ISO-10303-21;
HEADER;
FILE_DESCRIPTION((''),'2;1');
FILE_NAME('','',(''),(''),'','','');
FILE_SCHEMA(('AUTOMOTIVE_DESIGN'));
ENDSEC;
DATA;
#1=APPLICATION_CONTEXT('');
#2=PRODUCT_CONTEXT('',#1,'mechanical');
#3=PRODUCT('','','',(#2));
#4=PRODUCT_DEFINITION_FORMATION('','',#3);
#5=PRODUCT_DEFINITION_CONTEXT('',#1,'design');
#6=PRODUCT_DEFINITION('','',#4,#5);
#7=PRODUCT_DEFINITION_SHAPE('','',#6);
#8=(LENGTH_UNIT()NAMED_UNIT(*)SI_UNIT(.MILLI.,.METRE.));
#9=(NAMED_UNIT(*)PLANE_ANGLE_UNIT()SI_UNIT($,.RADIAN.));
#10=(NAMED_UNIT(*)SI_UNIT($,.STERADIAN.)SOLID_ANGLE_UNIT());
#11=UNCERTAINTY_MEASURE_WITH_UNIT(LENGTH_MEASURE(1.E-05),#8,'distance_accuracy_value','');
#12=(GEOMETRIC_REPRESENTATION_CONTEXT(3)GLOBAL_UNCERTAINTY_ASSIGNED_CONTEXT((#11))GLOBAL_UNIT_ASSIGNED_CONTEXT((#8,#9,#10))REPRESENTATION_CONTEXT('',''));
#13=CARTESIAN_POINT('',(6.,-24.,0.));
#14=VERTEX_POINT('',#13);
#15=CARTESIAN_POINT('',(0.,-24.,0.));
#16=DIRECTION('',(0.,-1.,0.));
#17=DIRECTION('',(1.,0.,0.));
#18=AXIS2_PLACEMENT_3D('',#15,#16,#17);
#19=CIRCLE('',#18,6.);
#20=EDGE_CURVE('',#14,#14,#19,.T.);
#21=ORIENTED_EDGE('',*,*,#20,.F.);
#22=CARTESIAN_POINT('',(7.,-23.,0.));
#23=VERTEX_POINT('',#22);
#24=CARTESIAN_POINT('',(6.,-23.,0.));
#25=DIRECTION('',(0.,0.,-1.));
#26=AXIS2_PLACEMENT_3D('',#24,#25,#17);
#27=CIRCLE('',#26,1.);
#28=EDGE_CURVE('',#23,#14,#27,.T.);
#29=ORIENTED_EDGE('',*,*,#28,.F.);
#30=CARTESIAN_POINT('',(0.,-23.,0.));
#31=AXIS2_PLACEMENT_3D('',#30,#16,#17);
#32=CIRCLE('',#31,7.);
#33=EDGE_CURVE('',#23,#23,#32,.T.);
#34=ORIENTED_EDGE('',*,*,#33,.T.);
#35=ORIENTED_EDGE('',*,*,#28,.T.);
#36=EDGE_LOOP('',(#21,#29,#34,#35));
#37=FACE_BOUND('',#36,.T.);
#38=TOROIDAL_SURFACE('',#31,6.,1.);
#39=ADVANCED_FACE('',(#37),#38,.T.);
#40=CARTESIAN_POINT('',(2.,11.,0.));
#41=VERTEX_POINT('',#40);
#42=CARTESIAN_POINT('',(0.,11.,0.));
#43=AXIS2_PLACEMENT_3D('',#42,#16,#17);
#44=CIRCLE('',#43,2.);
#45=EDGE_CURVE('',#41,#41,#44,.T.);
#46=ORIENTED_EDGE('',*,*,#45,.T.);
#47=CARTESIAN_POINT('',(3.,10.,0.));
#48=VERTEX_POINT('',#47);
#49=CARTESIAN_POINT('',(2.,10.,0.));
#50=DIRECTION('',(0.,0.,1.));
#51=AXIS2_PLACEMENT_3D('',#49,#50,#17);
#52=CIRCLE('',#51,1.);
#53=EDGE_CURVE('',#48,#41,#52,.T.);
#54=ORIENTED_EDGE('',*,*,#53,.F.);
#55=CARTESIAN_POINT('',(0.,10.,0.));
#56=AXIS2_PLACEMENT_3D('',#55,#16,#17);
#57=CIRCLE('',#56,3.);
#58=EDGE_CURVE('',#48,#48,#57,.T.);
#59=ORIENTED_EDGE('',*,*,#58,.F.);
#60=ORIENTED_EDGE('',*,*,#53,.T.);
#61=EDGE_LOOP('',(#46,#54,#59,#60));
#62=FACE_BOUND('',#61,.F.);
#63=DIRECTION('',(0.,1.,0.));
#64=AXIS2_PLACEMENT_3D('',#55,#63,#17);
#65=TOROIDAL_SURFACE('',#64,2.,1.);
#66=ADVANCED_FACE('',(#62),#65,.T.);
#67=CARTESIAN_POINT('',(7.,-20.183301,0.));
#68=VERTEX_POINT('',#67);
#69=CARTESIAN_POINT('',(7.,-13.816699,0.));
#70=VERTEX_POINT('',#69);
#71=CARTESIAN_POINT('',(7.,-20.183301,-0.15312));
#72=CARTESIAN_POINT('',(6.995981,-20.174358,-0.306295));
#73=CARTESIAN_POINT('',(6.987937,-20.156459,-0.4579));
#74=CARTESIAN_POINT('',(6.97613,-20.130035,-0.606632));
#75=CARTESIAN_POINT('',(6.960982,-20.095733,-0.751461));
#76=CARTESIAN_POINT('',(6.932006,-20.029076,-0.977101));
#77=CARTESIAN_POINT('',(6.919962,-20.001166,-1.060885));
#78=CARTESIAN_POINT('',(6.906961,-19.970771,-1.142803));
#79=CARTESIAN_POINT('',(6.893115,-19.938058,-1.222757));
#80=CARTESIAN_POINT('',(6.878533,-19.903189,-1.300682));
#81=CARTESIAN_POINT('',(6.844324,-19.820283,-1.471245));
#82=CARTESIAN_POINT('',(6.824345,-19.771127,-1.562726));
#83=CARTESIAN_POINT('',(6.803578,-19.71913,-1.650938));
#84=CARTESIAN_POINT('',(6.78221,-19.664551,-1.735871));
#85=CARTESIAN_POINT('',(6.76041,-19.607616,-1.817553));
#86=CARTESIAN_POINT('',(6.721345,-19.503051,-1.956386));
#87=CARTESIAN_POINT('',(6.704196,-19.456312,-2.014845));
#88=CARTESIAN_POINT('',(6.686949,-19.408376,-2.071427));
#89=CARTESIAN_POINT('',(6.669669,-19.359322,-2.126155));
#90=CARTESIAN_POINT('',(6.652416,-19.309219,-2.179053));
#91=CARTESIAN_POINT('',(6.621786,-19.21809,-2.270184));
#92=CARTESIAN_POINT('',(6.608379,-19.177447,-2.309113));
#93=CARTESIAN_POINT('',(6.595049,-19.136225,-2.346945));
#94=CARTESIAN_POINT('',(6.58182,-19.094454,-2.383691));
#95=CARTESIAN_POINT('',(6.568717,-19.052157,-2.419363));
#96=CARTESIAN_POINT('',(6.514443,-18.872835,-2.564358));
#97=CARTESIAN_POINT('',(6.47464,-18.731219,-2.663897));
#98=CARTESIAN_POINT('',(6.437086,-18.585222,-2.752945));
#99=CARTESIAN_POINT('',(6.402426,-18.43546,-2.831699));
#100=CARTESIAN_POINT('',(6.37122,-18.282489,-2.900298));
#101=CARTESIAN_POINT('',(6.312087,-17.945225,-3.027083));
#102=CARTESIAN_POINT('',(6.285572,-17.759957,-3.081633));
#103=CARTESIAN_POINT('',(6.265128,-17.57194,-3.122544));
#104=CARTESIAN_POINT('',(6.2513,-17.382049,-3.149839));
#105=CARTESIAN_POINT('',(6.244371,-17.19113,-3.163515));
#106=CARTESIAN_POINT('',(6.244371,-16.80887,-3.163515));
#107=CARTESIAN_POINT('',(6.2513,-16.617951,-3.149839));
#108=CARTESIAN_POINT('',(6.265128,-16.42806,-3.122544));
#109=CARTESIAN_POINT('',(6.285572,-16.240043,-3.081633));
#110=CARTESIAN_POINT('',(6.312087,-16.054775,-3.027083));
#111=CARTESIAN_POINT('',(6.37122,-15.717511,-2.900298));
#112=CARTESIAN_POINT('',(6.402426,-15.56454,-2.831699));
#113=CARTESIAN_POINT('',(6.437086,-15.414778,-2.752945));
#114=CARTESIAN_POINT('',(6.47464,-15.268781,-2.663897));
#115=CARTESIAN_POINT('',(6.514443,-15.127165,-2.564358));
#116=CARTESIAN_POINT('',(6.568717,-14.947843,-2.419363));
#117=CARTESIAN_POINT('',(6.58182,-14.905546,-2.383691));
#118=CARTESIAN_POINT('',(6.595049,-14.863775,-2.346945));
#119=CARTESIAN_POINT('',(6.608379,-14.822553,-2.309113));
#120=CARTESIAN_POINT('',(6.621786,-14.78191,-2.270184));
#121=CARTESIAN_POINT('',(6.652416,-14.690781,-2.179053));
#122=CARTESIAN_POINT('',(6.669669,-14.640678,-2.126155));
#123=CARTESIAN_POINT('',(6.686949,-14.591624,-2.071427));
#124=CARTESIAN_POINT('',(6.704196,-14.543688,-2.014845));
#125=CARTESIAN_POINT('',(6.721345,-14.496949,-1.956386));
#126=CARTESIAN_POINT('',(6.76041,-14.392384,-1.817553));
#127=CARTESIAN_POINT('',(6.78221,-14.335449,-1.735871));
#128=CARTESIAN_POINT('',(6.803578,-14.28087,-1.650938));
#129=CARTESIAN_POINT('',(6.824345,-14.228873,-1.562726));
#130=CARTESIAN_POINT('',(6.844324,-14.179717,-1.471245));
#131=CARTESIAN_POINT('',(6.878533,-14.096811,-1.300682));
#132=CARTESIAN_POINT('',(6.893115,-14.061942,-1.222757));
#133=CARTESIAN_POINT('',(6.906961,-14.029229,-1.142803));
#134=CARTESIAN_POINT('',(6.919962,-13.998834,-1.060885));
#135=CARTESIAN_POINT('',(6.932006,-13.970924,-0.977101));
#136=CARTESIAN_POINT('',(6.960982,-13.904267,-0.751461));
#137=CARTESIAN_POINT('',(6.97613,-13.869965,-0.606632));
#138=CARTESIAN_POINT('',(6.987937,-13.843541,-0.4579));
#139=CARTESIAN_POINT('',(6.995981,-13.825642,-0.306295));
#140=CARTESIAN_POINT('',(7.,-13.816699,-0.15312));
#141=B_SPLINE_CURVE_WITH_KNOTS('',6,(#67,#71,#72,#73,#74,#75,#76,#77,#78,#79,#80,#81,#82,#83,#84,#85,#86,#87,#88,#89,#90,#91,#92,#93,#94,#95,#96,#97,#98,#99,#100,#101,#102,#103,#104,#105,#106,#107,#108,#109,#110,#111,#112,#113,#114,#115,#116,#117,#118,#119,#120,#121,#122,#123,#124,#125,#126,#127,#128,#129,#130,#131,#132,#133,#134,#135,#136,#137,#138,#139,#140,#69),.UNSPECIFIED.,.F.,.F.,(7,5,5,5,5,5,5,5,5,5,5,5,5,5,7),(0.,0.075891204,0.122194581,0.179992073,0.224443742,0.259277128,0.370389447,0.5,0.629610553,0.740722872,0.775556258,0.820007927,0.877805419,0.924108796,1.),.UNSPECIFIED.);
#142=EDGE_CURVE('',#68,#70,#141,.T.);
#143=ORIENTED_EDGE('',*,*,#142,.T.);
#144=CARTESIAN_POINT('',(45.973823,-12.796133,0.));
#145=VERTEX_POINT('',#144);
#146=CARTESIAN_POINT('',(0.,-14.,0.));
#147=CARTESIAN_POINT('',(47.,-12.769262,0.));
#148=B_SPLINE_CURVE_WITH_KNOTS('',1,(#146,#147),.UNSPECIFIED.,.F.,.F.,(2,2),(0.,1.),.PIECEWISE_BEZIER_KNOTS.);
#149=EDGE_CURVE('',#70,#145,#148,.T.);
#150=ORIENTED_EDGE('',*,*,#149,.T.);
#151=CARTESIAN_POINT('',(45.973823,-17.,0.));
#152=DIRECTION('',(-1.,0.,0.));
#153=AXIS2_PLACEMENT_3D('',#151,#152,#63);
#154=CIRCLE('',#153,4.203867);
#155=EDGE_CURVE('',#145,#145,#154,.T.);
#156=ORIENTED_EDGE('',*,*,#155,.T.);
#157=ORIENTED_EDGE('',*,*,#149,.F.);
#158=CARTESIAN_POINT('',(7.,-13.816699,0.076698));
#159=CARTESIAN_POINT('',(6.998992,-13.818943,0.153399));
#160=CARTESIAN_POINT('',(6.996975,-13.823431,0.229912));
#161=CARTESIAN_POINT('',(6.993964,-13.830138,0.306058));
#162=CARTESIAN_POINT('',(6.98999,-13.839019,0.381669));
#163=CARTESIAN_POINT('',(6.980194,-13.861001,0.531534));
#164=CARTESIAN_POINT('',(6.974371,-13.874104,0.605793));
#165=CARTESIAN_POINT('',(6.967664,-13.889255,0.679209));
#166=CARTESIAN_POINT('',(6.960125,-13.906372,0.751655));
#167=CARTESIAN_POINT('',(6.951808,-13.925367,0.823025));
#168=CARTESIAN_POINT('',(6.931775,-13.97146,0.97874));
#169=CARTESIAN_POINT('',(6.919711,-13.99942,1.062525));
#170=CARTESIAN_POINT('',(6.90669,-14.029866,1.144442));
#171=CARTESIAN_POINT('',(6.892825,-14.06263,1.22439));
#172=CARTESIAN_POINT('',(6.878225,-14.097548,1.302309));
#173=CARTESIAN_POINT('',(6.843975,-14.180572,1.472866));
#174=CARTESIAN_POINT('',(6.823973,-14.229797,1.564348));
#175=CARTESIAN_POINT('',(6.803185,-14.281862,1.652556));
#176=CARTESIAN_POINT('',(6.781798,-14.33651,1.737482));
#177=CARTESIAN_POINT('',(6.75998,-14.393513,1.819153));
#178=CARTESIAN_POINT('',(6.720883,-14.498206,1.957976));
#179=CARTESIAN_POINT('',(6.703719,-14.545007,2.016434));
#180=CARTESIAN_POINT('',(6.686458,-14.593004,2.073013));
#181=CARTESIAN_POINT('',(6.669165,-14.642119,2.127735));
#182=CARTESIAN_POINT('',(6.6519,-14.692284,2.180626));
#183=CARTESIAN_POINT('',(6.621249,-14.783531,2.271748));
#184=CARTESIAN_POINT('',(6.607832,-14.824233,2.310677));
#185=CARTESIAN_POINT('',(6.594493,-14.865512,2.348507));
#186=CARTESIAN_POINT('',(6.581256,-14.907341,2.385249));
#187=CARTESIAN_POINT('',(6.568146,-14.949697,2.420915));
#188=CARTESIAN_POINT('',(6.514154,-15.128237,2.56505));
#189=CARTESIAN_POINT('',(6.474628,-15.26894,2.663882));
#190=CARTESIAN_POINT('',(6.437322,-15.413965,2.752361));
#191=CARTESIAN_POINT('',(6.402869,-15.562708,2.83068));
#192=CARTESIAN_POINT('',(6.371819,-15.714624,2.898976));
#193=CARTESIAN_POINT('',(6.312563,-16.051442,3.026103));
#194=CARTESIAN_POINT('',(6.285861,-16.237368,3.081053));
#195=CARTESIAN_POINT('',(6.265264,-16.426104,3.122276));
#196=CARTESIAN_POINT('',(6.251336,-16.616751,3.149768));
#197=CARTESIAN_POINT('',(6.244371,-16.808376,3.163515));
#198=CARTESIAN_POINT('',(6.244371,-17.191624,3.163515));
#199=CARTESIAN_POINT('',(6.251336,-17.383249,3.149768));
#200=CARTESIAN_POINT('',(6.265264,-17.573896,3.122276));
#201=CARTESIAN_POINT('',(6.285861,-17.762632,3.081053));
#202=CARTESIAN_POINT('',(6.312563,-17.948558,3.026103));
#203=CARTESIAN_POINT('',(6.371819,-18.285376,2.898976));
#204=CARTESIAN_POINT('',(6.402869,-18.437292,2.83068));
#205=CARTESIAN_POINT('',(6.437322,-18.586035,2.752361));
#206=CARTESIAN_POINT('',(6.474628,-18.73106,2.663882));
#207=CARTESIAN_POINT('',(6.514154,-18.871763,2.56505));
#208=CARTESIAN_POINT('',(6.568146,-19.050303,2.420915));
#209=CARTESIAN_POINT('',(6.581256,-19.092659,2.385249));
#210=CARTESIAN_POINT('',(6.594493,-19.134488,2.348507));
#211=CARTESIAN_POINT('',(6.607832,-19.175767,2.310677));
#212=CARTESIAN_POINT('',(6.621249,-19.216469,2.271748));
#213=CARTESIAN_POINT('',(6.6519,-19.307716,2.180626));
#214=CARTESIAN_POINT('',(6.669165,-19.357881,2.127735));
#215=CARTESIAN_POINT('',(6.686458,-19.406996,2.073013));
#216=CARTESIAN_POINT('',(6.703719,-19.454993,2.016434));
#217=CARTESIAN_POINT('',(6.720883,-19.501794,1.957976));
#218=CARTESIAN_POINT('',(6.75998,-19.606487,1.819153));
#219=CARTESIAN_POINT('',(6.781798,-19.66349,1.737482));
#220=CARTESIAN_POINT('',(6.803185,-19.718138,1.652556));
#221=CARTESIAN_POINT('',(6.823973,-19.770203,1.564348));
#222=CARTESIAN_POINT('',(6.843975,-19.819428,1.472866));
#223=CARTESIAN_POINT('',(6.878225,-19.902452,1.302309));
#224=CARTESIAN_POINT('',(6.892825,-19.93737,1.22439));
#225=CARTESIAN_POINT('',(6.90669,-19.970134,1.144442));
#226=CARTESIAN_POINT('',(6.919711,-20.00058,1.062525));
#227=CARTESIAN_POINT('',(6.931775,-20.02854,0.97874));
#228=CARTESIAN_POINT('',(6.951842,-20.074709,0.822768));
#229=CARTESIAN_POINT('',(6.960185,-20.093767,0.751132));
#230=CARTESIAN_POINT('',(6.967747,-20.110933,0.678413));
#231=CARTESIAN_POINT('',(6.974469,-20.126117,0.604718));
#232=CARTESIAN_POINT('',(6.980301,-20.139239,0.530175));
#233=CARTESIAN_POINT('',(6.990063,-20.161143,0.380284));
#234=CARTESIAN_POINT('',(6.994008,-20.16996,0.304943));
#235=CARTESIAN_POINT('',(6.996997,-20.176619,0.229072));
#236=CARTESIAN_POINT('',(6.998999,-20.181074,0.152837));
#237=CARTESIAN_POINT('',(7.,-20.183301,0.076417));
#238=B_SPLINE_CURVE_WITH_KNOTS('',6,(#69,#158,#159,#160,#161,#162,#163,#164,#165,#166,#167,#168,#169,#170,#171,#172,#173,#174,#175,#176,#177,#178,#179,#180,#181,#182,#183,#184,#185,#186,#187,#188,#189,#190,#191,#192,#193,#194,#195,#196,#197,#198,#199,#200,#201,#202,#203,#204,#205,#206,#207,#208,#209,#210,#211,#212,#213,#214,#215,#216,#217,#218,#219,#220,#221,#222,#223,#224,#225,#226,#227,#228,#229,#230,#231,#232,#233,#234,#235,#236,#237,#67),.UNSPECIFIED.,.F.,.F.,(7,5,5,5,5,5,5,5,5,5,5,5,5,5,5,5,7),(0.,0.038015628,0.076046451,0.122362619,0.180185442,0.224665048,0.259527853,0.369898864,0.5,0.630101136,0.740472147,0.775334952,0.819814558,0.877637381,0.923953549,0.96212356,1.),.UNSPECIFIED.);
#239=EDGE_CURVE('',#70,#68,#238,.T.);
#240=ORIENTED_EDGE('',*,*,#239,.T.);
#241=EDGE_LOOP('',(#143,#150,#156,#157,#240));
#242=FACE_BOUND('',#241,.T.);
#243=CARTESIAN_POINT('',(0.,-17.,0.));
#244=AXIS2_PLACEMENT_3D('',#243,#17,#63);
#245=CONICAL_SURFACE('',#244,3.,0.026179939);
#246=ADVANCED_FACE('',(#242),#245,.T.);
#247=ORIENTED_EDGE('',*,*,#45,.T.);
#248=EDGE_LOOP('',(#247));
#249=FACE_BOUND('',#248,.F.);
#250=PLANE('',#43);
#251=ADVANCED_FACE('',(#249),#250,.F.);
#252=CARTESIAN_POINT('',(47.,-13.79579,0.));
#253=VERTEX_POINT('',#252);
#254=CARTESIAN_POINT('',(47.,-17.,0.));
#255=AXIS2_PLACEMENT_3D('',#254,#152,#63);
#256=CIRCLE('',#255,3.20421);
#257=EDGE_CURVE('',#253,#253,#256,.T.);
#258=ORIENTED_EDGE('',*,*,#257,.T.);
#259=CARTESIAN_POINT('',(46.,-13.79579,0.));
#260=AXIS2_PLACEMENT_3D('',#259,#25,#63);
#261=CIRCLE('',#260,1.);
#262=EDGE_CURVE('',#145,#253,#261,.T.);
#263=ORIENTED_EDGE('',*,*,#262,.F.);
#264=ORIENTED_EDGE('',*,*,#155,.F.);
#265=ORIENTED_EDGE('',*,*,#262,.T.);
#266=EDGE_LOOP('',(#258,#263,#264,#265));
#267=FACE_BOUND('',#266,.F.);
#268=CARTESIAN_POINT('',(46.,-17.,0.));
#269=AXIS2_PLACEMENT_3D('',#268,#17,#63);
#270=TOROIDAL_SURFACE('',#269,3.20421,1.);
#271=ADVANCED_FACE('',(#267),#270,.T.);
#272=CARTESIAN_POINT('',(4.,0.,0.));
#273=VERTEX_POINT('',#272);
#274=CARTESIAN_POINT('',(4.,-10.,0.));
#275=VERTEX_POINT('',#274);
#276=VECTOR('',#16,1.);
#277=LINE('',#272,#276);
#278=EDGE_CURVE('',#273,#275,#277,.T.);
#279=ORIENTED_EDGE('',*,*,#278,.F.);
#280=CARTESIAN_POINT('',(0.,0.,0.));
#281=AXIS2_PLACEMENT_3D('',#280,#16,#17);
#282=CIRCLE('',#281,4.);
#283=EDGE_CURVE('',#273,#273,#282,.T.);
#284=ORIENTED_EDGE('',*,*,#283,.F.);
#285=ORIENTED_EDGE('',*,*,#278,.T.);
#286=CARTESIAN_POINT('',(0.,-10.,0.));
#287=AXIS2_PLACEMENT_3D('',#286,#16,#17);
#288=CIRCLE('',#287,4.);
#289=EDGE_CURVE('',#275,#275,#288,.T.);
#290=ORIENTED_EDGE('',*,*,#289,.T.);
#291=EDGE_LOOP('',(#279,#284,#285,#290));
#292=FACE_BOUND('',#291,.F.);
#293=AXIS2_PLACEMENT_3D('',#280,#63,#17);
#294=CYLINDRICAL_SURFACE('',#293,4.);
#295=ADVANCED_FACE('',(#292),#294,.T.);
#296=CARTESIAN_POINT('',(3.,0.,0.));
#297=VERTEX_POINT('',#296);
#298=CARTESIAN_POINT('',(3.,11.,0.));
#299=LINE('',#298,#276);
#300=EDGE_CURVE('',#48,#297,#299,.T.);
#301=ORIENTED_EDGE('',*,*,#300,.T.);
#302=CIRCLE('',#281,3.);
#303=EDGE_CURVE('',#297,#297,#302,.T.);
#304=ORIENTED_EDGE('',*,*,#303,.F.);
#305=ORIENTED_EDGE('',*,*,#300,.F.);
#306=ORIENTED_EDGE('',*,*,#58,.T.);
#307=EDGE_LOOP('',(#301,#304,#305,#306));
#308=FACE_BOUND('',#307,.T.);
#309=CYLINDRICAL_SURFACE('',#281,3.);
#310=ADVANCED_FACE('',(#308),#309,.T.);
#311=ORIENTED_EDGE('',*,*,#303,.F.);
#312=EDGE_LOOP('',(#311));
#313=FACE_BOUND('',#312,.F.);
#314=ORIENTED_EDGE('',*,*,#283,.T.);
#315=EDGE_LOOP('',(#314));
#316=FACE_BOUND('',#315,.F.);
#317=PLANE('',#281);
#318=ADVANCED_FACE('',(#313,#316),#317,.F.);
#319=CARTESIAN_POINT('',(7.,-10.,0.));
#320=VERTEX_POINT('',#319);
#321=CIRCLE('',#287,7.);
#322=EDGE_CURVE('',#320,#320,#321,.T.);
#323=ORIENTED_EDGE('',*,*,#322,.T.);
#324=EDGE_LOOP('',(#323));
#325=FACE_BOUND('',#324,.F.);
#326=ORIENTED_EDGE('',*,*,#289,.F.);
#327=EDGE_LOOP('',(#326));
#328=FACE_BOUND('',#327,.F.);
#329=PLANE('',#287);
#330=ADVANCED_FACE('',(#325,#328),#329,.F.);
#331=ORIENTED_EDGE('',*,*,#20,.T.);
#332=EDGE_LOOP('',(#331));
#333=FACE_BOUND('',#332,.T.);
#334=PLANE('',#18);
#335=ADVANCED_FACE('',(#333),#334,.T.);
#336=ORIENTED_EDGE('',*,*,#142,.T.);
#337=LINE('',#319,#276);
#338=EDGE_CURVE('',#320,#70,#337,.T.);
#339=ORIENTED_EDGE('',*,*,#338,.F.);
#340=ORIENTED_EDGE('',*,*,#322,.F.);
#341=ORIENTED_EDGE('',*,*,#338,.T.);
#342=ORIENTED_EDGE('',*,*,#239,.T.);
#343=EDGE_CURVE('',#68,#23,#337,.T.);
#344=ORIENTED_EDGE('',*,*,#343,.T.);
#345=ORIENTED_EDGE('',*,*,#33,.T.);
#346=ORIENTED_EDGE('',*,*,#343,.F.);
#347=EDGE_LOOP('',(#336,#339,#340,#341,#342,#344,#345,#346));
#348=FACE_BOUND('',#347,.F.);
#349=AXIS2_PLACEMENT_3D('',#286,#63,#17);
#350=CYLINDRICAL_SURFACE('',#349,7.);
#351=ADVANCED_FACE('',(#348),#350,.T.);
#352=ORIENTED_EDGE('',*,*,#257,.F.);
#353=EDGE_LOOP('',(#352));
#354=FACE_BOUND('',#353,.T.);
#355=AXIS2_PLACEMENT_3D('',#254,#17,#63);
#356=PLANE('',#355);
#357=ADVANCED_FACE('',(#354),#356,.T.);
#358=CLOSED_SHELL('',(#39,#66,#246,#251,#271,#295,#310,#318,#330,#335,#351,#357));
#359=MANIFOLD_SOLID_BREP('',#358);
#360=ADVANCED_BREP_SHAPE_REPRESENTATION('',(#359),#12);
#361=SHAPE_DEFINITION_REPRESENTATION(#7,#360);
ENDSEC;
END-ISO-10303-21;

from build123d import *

# Parameters (mm, degrees)
F1_START      = 10
F0_R          = 7
F0_R_2        = 4
F1_DEPTH      = 14
F0_R_3        = 3
F2_DEPTH      = 24
F2_DEPTH_BACK = 11
F3_DEPTH      = 24
F4_R          = 3
F5_DEPTH      = 47
F5_TAPER      = -1.5
F6_R          = 1


with BuildPart() as f1:
    # F0 (on Front) → F1 (new body)
    with BuildSketch(Plane.XZ.offset(F1_START)):
        Circle(F0_R)
        Circle(F0_R_2, mode=Mode.SUBTRACT)
    extrude(amount=F1_DEPTH)



with BuildPart() as f2:
    # F0 (on Front) → F2 (new body, two sides)
    with BuildSketch(Plane.XZ) as f2_sk:
        Circle(F0_R_3)
    extrude(amount=F2_DEPTH)
    extrude(f2_sk.sketch, amount=-F2_DEPTH_BACK)


with BuildPart() as f3:
    # F0 (on Front) → F3 (new body)
    with BuildSketch(Plane.XZ):
        Circle(F0_R_2)
        Circle(F0_R_3, mode=Mode.SUBTRACT)
    extrude(amount=F3_DEPTH)


with BuildPart() as f1_1:
    add(f1.part)

    add(f2.part)  # F5 merges F2

    add(f3.part)  # F5 merges F3
    # F4 (on Right) → F5 (join)
    with BuildSketch(Plane.YZ):
        with Locations((-17, 0)):
            Circle(F4_R)
    extrude(amount=F5_DEPTH, taper=F5_TAPER)

    # F6
    f6_edges = [f1_1.edges().sort_by_distance(p)[0] for p in [
        (-7, -24, 0),
        (47, -21.230738, 0),
        (-3, 11, 0),
    ]]
    fillet(f6_edges, radius=F6_R)


solid = f1_1.part
